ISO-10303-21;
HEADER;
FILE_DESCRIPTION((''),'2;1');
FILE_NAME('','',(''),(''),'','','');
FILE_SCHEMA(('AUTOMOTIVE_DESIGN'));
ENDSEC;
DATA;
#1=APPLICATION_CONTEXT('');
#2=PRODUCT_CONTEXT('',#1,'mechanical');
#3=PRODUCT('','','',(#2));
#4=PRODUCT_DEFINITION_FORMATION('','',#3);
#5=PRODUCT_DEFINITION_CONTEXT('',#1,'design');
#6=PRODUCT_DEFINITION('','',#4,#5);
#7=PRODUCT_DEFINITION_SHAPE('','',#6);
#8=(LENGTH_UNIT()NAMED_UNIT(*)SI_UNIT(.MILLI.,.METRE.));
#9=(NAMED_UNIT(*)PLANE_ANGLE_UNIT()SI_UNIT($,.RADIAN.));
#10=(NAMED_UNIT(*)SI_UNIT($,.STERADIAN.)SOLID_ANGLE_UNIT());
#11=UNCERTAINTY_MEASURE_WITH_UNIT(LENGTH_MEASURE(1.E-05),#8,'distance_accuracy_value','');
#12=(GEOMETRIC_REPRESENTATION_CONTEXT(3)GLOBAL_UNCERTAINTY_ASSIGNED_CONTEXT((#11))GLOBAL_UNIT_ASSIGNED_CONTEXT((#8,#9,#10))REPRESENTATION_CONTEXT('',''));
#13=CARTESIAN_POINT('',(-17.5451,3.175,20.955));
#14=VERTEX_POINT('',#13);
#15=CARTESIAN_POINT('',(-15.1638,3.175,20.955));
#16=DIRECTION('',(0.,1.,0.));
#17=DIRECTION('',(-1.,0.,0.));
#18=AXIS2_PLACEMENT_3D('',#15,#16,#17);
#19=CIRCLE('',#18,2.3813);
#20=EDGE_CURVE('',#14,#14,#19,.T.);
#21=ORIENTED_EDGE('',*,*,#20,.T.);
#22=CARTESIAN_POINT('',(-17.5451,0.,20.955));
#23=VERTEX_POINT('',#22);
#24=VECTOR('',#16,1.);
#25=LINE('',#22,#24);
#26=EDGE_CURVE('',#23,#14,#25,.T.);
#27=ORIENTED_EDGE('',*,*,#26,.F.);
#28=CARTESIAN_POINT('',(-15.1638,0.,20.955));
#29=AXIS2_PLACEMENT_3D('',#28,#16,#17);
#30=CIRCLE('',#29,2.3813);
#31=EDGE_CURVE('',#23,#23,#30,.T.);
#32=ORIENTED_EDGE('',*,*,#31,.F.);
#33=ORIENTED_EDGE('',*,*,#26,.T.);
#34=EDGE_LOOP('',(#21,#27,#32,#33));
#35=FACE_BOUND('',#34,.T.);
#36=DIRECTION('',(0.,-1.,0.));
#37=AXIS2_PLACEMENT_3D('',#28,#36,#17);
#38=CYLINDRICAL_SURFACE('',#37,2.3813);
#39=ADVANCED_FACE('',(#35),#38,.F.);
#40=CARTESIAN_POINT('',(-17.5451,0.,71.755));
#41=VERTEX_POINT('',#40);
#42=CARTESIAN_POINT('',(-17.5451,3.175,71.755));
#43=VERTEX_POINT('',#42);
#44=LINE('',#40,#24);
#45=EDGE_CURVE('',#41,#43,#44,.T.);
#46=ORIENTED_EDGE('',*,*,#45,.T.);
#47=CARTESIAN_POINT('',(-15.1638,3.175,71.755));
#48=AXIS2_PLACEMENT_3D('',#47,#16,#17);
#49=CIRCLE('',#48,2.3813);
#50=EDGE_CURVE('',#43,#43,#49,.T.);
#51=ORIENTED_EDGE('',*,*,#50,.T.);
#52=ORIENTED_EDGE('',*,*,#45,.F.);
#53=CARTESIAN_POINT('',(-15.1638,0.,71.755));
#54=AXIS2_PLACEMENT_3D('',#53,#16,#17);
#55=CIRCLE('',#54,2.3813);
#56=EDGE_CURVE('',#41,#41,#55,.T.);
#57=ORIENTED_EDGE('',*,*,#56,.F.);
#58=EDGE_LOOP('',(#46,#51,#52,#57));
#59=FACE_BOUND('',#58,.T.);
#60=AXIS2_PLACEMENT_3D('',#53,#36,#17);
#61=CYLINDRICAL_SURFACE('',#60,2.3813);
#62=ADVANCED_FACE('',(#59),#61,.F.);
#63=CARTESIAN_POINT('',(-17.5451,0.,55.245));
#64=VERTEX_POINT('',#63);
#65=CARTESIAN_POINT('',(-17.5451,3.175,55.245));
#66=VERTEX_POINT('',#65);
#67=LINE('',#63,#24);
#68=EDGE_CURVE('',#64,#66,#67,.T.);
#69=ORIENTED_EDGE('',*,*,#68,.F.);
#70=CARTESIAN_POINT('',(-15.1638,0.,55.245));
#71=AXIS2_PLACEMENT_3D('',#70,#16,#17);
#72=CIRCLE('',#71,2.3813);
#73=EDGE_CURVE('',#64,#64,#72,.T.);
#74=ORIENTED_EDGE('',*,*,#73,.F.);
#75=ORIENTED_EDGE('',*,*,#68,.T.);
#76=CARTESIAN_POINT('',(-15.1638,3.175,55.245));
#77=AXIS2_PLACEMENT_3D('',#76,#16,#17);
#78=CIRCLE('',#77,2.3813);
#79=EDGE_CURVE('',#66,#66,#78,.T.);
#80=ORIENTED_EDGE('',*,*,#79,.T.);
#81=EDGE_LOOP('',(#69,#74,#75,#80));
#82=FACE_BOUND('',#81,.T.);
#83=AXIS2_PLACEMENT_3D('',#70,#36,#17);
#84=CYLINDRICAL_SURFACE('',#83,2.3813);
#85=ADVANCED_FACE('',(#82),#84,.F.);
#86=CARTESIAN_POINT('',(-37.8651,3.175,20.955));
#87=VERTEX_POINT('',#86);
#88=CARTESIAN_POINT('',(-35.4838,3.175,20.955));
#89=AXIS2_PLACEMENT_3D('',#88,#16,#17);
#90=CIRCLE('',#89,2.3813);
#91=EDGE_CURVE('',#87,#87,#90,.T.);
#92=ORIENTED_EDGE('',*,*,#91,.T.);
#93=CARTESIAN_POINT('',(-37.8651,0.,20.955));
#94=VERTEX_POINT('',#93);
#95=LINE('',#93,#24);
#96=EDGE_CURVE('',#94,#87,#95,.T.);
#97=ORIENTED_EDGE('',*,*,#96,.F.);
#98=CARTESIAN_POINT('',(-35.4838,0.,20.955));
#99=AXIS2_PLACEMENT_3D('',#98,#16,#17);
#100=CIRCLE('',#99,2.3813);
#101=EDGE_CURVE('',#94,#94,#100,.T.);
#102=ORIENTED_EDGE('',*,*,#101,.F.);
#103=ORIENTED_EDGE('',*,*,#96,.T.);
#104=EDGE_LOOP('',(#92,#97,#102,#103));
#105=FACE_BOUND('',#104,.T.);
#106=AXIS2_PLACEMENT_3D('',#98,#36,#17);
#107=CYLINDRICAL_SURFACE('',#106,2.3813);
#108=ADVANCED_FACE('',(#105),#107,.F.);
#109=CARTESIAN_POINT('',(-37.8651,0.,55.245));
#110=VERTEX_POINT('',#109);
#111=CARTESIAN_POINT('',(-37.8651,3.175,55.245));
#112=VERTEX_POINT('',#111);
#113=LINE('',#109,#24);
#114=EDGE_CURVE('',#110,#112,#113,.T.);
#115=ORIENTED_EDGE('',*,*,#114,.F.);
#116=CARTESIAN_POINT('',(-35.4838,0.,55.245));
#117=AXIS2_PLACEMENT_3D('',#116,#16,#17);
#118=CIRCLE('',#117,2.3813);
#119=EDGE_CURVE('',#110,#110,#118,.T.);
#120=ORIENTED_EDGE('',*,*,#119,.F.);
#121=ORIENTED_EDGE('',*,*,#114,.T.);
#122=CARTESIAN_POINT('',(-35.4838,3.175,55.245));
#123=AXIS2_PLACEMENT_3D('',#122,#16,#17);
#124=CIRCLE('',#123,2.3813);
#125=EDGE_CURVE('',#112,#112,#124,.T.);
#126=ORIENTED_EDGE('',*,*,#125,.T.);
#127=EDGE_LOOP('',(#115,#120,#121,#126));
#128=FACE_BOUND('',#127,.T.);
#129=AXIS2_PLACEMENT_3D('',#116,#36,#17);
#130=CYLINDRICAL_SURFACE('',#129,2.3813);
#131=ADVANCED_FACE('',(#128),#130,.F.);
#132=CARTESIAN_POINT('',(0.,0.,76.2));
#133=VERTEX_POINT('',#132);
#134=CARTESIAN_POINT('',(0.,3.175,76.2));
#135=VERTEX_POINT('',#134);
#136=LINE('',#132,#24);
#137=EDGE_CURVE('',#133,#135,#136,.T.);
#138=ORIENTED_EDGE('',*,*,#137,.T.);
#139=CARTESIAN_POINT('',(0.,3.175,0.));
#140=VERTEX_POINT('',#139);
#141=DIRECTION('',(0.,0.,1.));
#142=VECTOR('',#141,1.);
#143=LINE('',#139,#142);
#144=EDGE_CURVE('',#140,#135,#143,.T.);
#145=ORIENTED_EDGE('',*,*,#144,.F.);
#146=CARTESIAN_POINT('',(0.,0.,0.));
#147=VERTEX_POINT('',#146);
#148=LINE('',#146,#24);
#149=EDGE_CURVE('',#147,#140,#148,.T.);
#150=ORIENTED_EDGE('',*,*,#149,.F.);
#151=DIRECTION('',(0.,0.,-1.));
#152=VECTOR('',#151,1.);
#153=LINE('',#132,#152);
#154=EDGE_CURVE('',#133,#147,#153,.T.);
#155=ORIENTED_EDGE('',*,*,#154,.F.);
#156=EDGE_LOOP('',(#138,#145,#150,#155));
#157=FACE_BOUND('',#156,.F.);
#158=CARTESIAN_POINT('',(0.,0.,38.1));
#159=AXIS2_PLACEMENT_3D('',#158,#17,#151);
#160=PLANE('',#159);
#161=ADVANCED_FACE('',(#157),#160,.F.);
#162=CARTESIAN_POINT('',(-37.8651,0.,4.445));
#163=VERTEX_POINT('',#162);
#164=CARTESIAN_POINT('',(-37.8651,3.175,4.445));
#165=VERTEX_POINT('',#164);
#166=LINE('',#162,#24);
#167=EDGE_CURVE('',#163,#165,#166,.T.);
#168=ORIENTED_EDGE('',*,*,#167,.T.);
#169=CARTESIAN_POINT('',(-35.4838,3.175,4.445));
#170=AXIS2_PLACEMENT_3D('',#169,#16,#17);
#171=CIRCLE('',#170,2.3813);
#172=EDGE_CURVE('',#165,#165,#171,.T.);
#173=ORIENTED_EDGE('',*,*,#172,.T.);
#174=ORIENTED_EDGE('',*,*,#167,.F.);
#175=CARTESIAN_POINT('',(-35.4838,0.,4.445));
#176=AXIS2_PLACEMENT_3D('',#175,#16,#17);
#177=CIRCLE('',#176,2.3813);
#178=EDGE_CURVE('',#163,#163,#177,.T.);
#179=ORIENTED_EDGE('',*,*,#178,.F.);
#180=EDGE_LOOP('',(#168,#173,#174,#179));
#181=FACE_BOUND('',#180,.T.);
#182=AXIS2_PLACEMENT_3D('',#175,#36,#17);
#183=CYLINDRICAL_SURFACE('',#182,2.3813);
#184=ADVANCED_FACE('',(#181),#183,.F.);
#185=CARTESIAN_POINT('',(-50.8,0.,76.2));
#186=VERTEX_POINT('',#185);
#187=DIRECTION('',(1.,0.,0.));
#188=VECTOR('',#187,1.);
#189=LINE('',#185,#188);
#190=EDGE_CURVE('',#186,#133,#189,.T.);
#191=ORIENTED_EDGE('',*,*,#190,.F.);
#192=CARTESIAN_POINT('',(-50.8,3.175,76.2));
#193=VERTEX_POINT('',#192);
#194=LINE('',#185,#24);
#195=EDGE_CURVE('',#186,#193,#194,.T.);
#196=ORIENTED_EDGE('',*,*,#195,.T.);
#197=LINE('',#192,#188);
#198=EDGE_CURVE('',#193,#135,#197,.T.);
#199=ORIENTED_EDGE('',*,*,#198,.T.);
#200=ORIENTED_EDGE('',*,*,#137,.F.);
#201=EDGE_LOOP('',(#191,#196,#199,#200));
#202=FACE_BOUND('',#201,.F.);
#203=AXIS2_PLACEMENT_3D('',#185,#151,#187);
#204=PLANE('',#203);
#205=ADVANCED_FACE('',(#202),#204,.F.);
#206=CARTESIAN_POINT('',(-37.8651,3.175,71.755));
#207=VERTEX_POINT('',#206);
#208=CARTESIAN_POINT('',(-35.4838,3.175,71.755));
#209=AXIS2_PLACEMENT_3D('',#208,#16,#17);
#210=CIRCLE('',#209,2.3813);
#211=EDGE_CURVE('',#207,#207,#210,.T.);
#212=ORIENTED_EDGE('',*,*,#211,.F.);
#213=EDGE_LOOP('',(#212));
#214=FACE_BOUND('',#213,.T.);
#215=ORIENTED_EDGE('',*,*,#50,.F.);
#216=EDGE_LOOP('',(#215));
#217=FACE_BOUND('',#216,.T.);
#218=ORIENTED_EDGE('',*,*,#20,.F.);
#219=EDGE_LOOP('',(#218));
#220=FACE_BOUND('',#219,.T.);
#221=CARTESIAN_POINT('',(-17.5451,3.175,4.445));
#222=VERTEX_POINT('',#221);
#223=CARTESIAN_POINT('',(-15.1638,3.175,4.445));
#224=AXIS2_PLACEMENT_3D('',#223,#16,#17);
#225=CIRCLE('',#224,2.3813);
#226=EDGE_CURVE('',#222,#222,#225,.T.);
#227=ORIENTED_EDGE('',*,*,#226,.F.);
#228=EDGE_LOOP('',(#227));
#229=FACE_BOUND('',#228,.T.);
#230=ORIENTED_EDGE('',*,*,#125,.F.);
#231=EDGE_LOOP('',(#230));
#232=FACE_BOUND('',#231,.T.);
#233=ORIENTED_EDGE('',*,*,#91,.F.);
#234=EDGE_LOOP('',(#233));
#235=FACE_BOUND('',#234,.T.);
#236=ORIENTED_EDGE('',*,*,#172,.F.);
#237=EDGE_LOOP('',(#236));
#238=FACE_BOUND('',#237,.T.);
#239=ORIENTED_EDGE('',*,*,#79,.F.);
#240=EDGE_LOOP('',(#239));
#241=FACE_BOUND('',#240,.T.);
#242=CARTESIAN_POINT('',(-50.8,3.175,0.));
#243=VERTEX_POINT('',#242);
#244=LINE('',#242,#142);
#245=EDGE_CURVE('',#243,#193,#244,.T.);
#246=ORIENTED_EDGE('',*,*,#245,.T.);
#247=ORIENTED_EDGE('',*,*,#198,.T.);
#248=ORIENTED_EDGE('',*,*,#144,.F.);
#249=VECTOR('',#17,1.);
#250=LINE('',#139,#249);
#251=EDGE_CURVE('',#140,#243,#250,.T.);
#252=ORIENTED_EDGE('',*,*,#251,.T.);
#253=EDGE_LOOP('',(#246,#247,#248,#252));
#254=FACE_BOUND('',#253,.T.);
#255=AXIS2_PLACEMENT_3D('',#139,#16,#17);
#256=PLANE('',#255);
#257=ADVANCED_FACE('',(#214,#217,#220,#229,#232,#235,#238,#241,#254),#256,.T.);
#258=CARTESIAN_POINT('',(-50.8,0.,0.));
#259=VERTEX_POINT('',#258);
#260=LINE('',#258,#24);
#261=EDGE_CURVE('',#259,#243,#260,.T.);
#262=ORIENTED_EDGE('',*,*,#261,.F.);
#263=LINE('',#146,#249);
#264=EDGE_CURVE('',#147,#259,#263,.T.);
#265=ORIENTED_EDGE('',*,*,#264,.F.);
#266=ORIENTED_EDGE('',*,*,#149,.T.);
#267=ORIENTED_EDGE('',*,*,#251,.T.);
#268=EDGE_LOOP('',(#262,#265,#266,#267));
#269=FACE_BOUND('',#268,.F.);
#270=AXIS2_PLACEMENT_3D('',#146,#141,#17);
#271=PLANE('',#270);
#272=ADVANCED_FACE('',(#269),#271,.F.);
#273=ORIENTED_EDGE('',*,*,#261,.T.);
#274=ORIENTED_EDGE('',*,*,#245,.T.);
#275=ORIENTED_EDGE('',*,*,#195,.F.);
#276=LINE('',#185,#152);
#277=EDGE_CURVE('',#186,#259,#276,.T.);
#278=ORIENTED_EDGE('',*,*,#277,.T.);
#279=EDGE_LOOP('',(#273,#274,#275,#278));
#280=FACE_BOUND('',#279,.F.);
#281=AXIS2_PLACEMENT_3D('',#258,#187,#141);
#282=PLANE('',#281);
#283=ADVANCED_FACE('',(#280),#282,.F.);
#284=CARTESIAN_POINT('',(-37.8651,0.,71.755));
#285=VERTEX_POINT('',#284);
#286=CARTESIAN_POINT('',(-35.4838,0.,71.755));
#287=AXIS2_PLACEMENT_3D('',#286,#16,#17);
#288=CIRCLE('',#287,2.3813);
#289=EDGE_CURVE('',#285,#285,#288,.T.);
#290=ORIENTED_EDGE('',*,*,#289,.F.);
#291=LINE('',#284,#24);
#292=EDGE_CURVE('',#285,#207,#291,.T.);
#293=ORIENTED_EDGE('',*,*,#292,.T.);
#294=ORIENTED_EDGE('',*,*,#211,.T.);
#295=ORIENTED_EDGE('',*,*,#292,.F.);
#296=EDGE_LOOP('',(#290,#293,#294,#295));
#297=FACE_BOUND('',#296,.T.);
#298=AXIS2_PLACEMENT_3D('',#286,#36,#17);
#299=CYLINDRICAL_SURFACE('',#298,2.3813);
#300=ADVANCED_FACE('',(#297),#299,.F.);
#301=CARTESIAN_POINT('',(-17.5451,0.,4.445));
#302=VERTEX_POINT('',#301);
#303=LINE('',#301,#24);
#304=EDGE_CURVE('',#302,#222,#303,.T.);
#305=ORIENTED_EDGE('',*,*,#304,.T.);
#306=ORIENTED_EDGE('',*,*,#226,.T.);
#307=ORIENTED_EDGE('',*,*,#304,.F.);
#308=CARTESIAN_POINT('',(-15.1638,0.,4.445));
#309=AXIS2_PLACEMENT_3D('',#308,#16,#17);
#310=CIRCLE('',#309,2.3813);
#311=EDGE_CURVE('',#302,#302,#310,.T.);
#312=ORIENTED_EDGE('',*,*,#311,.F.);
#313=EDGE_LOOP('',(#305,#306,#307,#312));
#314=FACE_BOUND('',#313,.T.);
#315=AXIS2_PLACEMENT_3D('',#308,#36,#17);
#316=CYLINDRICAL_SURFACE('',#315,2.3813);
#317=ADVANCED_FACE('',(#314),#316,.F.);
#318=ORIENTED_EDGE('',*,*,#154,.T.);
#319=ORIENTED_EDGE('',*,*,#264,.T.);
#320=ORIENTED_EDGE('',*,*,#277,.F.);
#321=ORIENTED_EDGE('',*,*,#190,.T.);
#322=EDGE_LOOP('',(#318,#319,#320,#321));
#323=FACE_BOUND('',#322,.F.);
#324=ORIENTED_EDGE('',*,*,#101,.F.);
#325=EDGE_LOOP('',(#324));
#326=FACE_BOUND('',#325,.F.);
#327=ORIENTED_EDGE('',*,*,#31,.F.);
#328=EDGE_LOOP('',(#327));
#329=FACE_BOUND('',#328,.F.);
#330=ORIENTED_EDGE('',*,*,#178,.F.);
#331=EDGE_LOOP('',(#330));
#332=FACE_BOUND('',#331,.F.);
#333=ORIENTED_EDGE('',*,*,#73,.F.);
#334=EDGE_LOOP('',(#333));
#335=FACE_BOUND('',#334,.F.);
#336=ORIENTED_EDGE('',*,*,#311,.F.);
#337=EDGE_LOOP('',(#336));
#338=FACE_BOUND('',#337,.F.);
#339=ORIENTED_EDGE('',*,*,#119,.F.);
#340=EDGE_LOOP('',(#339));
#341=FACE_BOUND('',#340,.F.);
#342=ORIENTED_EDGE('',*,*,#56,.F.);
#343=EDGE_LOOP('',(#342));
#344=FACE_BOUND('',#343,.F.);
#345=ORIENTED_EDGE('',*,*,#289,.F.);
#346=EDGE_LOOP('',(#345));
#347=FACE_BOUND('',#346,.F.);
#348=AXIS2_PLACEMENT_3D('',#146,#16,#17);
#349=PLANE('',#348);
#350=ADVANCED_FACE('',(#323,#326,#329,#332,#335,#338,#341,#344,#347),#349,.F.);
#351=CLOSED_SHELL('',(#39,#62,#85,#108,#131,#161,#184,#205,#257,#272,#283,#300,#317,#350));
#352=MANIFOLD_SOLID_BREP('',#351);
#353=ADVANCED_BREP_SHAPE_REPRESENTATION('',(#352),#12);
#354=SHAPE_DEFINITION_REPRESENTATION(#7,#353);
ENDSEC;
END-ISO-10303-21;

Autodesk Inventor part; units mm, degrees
ref_plane "YZ Plane" through (0, 0, 0) normal (1, 0, 0) x (0, 1, 0)
ref_plane "XZ Plane" through (0, 0, 0) normal (0, 1, 0) x (-1, 0, 0)
ref_plane "XY Plane" through (0, 0, 0) normal (0, 0, 1) x (1, 0, 0)
sketch "Sketch1" plane through (0, 0, 0) normal (0, 1, 0) x (-1, 0, 0)
  line L0 (0, 0) -> (50.8, 0)
  line L1 (50.8, 0) -> (50.8, 76.2)
  line L2 (50.8, 76.2) -> (0, 76.2)
  line L3 (0, 76.2) -> (0, 0)
  circle A0 centre (35.4838, 71.755) radius 2.3813
  circle A1 centre (35.4838, 55.245) radius 2.3813
  circle A2 centre (15.1638, 71.755) radius 2.3813
  circle A3 centre (15.1638, 55.245) radius 2.3813
  line L4 (50.8, 38.1) -> (0, 38.1)
  circle A4 centre (35.4838, 4.445) radius 2.3813
  circle A5 centre (35.4838, 20.955) radius 2.3813
  circle A6 centre (15.1638, 4.445) radius 2.3813
  circle A7 centre (15.1638, 20.955) radius 2.3813
  dimension "d0" = 50.8
  dimension "d1" = 76.2
  dimension "d2" = 4.7625
  dimension "d3" = 15.3162
  dimension "d4" = 4.445
  dimension "d7" = 16.51
  dimension "d10" = 20.32
extrude "Extrusion1" add sketch "Sketch1" along normal blind 3.175
properties part number "Gripper Slider Connecting Plate"
